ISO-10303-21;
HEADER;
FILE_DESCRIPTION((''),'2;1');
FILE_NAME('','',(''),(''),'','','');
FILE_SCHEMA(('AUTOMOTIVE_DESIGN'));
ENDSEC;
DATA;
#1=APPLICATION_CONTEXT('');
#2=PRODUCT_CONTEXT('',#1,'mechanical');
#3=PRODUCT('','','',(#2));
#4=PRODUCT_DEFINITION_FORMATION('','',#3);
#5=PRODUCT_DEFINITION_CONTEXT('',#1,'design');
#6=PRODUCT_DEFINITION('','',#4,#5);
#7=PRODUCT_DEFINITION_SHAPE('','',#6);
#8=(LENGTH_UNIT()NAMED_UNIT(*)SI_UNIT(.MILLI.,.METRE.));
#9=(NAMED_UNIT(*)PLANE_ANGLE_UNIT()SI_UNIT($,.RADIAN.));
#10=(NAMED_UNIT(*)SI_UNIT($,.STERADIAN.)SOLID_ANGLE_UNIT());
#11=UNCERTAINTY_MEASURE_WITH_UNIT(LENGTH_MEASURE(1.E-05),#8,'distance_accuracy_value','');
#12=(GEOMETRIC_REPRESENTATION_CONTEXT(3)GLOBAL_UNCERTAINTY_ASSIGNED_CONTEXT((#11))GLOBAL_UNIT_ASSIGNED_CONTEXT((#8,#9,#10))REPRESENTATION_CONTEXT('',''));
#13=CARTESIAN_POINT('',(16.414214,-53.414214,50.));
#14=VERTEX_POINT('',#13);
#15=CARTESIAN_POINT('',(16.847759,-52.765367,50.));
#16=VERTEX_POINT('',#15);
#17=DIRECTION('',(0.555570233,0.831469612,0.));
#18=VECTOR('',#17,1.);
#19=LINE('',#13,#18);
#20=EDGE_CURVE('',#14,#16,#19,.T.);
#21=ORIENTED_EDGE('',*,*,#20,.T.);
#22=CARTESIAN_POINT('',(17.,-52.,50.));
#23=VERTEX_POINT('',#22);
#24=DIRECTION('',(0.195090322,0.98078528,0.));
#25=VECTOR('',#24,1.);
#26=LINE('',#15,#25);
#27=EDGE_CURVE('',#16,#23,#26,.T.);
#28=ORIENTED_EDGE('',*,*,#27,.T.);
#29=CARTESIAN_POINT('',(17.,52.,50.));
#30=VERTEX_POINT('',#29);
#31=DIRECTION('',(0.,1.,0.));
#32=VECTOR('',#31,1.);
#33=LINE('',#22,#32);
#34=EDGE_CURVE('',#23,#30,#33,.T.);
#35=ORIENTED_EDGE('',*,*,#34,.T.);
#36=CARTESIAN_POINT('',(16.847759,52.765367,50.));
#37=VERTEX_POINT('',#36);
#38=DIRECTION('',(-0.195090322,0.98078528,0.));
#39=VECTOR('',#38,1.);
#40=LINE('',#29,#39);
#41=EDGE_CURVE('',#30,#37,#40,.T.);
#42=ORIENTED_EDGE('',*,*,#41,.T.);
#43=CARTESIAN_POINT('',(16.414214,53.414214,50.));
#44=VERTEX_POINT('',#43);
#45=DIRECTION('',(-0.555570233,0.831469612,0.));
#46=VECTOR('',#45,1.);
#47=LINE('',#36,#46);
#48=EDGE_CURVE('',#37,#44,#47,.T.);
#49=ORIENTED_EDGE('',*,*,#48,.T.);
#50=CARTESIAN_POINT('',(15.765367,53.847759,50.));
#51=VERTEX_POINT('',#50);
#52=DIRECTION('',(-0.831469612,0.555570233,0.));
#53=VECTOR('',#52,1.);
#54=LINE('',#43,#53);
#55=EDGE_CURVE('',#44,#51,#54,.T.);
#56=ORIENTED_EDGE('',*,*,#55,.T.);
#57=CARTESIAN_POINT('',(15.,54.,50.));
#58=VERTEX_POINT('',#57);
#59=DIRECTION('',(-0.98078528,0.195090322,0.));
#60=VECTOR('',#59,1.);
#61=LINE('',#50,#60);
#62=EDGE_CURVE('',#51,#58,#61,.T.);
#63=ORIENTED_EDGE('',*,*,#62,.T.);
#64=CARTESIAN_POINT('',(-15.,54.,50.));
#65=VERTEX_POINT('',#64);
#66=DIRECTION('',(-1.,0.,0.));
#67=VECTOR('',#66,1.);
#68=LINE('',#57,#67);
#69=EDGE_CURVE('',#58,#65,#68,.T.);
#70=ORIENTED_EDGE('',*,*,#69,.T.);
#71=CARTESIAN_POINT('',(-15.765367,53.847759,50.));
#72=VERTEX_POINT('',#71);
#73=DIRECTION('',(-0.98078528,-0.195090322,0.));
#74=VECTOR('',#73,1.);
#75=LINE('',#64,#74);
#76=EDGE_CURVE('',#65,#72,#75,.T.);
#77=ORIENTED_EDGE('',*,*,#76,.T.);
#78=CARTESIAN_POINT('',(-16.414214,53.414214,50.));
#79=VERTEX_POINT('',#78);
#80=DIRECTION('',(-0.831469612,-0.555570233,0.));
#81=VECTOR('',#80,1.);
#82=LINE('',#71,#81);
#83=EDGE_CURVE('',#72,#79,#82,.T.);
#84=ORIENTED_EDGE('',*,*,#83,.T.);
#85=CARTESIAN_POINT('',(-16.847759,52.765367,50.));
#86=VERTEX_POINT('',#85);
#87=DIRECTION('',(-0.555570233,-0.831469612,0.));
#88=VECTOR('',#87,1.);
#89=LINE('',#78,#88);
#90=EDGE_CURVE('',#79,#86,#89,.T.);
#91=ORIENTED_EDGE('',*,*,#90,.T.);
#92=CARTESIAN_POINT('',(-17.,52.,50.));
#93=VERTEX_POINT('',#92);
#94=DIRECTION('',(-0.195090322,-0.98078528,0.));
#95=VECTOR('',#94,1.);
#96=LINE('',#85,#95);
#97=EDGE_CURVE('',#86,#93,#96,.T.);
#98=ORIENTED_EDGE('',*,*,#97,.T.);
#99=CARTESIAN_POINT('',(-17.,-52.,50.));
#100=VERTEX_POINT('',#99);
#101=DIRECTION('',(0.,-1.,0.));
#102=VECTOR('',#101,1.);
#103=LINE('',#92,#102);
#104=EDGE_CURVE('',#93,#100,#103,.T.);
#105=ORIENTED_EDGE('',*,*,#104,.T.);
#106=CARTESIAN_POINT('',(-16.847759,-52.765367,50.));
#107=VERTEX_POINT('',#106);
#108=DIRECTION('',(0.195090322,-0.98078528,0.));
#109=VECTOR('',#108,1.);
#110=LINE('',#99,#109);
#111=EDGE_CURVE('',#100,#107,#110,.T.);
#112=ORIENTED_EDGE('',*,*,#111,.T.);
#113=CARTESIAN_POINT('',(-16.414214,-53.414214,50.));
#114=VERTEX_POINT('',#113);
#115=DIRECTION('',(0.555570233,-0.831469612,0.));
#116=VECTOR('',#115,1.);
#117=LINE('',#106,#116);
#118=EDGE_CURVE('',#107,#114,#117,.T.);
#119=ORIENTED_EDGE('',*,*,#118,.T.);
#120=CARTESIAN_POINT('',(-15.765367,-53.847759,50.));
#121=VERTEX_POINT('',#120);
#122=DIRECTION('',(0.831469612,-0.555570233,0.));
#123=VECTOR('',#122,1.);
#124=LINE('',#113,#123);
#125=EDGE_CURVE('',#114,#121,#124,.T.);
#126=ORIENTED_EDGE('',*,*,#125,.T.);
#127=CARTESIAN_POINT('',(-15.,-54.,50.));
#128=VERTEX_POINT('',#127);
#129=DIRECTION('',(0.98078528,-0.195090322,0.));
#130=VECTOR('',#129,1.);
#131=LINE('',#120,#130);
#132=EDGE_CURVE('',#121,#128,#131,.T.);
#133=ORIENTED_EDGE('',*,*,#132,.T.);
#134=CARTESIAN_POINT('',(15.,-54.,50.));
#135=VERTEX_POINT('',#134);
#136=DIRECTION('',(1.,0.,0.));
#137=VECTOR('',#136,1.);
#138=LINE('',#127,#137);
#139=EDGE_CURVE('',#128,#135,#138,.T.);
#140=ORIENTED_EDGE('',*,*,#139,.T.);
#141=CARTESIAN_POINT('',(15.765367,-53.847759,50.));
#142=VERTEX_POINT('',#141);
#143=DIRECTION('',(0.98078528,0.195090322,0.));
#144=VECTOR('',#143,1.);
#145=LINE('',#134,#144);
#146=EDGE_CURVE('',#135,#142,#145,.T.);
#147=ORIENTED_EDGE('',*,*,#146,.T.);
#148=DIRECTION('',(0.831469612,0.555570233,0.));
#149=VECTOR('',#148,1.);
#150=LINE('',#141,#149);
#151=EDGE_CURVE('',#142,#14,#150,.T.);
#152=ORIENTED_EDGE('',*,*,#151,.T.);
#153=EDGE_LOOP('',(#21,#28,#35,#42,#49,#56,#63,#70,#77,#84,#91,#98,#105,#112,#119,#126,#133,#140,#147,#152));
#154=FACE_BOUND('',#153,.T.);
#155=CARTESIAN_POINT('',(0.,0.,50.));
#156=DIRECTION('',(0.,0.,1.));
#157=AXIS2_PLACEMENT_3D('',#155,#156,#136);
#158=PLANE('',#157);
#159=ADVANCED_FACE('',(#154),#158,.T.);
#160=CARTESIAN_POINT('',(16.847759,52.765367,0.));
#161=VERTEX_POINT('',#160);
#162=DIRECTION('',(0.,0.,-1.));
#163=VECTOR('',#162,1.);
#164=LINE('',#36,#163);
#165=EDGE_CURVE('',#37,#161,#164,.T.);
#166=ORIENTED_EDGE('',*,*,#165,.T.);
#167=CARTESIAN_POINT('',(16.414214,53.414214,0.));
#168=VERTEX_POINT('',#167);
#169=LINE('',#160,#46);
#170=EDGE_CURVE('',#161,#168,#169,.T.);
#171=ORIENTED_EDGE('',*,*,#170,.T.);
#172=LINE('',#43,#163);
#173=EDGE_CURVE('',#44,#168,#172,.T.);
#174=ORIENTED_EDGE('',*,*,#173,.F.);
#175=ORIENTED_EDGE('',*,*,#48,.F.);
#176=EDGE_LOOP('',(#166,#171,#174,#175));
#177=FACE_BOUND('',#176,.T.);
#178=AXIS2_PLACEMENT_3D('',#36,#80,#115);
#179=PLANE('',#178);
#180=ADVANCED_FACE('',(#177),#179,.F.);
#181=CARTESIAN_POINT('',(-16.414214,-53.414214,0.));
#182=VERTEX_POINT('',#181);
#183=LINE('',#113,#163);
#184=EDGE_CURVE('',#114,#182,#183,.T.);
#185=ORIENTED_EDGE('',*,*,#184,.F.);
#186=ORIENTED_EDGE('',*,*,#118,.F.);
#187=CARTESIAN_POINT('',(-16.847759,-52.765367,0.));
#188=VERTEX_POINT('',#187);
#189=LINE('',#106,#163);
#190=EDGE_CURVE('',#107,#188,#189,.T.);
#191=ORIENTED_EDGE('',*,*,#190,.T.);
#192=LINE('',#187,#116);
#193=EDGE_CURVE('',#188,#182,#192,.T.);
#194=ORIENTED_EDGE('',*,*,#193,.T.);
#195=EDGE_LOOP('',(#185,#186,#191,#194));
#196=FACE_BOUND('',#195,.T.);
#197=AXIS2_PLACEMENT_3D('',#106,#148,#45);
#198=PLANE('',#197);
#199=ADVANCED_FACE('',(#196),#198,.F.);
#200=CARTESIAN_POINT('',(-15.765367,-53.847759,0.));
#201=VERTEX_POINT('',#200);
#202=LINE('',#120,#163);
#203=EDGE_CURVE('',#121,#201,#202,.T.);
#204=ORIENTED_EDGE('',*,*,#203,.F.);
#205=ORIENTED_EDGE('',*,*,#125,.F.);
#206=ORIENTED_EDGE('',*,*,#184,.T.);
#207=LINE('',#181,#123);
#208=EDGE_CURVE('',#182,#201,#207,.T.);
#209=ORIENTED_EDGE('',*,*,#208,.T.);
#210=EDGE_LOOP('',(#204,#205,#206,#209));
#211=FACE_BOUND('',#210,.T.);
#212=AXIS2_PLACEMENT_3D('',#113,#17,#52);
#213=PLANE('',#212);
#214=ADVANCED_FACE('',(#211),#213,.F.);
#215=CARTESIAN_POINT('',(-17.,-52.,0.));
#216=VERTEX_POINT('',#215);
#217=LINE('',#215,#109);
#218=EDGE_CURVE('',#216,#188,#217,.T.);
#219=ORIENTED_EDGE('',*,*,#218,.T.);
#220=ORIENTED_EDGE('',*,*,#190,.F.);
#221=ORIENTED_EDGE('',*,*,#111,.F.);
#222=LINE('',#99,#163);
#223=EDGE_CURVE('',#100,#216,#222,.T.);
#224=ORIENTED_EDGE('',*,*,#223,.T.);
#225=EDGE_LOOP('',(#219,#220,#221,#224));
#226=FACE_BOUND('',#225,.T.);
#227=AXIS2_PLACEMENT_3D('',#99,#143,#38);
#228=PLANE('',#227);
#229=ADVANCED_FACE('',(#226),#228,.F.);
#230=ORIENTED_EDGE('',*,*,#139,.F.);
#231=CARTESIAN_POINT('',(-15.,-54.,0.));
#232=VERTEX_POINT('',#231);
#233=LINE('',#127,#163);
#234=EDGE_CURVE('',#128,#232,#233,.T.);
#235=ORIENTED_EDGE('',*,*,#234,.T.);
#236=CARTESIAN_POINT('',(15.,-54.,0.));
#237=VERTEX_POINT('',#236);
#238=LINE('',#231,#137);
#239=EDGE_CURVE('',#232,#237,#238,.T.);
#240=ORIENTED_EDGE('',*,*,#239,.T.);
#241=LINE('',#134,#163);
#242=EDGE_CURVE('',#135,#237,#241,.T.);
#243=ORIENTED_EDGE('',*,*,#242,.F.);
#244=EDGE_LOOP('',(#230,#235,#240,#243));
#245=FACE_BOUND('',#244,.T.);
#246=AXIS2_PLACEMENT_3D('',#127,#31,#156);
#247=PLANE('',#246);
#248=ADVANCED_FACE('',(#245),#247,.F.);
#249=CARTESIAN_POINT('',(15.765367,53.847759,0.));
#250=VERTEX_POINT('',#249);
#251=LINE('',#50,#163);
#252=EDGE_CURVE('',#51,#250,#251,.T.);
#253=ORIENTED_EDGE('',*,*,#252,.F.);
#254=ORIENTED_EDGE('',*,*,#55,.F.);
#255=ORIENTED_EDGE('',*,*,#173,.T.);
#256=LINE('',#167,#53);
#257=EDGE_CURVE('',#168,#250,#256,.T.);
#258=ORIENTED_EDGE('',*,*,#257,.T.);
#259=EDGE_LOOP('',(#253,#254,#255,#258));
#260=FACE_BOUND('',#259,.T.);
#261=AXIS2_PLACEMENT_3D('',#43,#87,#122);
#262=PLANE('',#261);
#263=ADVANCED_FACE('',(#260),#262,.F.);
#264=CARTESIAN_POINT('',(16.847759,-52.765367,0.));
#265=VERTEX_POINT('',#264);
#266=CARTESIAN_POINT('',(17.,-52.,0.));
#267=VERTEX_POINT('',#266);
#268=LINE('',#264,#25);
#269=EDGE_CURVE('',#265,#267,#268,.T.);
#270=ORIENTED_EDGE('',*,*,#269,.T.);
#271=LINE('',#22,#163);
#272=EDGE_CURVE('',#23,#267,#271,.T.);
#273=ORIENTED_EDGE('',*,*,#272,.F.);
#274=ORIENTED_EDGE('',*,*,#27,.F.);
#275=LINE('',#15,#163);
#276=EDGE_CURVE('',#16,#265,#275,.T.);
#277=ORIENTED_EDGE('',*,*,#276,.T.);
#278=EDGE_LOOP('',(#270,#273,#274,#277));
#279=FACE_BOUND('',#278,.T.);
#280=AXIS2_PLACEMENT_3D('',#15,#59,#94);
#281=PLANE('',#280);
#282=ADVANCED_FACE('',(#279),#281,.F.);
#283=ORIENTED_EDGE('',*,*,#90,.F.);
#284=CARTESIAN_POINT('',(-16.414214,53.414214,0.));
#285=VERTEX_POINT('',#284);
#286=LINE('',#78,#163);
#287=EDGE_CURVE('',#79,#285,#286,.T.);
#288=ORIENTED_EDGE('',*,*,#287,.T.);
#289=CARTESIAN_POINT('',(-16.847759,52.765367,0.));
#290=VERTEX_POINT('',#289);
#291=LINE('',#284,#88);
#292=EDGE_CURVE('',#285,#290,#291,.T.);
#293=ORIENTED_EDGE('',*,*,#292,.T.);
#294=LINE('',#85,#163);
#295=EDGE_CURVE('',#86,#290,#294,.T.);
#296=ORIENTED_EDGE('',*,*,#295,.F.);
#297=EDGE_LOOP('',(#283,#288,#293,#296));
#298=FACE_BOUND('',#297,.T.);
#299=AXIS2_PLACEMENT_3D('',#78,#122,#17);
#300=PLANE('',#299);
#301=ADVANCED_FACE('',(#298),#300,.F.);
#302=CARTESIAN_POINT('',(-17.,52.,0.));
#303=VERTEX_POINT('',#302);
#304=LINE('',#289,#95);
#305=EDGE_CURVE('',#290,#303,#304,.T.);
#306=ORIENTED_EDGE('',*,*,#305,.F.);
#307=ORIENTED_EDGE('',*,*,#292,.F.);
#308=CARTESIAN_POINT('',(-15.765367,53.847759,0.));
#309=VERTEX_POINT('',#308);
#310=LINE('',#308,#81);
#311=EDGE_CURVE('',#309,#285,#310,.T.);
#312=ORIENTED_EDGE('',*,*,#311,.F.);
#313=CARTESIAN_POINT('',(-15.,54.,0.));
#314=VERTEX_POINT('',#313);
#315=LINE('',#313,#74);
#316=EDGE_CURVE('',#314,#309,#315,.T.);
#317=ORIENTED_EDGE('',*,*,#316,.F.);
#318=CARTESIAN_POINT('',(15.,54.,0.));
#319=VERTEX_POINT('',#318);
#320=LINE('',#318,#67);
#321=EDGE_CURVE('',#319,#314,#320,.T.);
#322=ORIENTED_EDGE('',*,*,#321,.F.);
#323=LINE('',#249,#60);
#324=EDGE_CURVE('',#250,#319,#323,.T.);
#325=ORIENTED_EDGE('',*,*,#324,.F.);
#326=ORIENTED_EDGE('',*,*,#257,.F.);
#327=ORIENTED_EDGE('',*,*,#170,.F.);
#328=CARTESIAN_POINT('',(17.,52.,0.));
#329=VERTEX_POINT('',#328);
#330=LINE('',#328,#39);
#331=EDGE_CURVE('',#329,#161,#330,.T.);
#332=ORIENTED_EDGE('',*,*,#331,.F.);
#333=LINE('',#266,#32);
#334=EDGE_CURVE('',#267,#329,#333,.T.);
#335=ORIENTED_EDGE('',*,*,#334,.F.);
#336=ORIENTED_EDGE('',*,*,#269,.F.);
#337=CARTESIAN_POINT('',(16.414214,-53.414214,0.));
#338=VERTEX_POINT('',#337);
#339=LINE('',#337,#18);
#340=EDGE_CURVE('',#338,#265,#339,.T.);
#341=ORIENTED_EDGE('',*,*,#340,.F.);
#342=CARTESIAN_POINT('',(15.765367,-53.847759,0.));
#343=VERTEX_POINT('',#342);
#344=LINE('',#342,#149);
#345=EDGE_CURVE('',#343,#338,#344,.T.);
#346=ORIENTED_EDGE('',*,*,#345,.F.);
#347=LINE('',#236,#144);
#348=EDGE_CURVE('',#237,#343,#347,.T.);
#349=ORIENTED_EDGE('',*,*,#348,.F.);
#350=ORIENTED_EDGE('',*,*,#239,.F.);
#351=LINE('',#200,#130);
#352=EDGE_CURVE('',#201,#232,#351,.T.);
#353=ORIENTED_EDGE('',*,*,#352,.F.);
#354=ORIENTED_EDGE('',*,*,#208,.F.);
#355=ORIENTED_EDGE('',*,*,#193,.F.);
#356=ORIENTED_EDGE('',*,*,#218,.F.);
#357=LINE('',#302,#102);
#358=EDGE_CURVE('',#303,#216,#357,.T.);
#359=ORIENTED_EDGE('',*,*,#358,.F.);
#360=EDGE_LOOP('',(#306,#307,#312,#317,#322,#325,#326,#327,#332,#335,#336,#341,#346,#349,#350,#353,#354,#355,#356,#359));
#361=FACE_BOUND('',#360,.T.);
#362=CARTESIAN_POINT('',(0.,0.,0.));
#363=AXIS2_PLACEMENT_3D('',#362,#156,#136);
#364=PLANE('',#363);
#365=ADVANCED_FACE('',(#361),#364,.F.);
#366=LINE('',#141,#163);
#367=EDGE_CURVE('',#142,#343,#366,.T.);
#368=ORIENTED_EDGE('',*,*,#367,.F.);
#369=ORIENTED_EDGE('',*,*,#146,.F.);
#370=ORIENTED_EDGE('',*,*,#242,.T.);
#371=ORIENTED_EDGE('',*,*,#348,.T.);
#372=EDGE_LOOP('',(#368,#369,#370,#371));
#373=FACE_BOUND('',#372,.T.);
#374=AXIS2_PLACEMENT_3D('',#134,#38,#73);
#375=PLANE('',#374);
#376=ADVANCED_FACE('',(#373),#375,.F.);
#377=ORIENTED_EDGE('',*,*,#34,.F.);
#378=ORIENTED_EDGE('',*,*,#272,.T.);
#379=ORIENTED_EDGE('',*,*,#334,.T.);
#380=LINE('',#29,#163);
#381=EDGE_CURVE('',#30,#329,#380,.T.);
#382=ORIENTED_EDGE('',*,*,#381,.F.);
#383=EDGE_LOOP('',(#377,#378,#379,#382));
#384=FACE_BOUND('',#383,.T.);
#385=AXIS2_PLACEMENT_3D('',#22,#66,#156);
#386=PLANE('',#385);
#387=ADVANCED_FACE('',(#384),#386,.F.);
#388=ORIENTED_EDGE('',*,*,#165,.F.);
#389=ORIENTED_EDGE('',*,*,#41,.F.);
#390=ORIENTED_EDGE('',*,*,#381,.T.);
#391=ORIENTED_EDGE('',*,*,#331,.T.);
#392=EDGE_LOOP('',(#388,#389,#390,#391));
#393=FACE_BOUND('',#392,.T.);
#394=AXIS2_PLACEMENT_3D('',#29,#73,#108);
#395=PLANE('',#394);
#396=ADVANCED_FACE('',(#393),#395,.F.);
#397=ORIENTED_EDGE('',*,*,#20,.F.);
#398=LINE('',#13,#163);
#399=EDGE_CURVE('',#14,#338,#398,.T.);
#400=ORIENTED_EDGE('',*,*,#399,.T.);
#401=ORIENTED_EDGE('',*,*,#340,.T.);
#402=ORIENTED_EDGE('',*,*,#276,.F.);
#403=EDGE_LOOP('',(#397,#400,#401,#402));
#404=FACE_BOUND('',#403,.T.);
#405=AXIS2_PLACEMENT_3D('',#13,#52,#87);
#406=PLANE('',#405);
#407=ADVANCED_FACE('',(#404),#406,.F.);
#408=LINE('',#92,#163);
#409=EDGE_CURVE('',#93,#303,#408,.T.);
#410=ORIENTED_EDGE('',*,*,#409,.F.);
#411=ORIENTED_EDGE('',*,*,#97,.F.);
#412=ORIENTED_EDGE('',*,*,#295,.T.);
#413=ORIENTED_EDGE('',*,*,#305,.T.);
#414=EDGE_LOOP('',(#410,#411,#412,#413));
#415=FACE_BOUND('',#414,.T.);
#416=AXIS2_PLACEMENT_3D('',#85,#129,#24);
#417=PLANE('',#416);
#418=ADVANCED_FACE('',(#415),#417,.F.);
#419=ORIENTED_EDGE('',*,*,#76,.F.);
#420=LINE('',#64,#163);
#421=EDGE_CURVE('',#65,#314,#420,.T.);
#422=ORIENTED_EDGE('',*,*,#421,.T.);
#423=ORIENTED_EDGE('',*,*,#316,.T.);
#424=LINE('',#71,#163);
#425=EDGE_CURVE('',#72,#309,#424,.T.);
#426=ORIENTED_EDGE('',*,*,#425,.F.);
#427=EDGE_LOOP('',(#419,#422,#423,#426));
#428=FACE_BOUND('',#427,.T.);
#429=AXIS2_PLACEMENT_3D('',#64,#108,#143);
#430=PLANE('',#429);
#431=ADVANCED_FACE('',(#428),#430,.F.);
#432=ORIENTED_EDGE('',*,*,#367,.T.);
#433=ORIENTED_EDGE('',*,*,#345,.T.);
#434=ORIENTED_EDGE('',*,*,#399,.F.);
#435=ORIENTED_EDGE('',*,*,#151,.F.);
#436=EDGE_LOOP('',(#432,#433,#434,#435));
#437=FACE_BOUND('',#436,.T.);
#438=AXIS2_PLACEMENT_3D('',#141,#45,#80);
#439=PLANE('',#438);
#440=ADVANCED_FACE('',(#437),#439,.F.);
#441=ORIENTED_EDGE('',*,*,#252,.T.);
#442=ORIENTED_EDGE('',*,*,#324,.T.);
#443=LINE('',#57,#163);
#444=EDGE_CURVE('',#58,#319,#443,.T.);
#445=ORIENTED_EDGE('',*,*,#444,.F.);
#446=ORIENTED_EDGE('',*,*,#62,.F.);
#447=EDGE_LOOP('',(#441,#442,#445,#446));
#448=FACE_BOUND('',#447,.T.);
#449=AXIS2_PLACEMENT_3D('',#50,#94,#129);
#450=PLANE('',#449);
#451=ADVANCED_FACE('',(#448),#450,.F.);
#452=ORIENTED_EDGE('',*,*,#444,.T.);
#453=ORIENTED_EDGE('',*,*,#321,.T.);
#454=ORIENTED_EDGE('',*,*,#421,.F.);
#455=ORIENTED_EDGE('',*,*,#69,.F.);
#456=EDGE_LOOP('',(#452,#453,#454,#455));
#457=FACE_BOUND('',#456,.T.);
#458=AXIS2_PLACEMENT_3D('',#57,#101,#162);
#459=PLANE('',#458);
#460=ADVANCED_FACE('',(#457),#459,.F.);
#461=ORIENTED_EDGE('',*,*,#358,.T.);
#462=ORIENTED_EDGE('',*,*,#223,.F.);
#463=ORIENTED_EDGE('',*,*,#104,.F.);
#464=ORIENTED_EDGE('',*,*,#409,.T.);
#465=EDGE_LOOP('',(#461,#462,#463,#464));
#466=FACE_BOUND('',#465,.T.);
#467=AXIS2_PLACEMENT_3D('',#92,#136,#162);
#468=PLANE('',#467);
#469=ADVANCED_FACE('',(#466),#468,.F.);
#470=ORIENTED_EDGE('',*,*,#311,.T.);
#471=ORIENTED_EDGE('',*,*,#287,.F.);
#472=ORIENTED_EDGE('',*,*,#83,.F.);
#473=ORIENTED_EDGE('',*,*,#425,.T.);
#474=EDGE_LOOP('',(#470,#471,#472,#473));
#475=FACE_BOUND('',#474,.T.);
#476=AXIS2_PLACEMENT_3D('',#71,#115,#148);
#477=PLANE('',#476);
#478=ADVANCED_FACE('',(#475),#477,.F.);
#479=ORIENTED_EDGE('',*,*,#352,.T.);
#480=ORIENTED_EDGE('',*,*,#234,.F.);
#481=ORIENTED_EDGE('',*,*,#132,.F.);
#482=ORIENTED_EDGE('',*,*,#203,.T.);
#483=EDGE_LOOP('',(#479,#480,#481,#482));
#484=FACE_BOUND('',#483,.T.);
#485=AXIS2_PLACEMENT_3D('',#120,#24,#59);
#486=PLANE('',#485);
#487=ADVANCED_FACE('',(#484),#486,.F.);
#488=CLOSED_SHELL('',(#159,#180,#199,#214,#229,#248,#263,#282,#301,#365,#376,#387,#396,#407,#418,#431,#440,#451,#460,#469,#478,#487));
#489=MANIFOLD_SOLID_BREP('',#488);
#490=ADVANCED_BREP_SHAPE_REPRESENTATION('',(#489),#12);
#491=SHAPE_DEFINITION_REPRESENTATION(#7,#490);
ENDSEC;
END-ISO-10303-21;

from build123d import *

# Parameters (mm, degrees)
EXTRUDE_B01_DEPTH = 50


with BuildPart() as part:
    # S01_圆角包络轮廓 → B01_圆角包络轮廓 (new body)
    with BuildSketch(Plane.XY):
        Polygon((17, 52), (16.847759065, 52.765366865), (16.414213562, 53.414213562), (15.765366865, 53.847759065), (15, 54), (-15, 54), (-15.765366865, 53.847759065), (-16.414213562, 53.414213562), (-16.847759065, 52.765366865), (-17, 52), (-17, -52), (-16.847759065, -52.765366865), (-16.414213562, -53.414213562), (-15.765366865, -53.847759065), (-15, -54), (15, -54), (15.765366865, -53.847759065), (16.414213562, -53.414213562), (16.847759065, -52.765366865), (17, -52), align=None)
    extrude(amount=EXTRUDE_B01_DEPTH)


solid = part.part
